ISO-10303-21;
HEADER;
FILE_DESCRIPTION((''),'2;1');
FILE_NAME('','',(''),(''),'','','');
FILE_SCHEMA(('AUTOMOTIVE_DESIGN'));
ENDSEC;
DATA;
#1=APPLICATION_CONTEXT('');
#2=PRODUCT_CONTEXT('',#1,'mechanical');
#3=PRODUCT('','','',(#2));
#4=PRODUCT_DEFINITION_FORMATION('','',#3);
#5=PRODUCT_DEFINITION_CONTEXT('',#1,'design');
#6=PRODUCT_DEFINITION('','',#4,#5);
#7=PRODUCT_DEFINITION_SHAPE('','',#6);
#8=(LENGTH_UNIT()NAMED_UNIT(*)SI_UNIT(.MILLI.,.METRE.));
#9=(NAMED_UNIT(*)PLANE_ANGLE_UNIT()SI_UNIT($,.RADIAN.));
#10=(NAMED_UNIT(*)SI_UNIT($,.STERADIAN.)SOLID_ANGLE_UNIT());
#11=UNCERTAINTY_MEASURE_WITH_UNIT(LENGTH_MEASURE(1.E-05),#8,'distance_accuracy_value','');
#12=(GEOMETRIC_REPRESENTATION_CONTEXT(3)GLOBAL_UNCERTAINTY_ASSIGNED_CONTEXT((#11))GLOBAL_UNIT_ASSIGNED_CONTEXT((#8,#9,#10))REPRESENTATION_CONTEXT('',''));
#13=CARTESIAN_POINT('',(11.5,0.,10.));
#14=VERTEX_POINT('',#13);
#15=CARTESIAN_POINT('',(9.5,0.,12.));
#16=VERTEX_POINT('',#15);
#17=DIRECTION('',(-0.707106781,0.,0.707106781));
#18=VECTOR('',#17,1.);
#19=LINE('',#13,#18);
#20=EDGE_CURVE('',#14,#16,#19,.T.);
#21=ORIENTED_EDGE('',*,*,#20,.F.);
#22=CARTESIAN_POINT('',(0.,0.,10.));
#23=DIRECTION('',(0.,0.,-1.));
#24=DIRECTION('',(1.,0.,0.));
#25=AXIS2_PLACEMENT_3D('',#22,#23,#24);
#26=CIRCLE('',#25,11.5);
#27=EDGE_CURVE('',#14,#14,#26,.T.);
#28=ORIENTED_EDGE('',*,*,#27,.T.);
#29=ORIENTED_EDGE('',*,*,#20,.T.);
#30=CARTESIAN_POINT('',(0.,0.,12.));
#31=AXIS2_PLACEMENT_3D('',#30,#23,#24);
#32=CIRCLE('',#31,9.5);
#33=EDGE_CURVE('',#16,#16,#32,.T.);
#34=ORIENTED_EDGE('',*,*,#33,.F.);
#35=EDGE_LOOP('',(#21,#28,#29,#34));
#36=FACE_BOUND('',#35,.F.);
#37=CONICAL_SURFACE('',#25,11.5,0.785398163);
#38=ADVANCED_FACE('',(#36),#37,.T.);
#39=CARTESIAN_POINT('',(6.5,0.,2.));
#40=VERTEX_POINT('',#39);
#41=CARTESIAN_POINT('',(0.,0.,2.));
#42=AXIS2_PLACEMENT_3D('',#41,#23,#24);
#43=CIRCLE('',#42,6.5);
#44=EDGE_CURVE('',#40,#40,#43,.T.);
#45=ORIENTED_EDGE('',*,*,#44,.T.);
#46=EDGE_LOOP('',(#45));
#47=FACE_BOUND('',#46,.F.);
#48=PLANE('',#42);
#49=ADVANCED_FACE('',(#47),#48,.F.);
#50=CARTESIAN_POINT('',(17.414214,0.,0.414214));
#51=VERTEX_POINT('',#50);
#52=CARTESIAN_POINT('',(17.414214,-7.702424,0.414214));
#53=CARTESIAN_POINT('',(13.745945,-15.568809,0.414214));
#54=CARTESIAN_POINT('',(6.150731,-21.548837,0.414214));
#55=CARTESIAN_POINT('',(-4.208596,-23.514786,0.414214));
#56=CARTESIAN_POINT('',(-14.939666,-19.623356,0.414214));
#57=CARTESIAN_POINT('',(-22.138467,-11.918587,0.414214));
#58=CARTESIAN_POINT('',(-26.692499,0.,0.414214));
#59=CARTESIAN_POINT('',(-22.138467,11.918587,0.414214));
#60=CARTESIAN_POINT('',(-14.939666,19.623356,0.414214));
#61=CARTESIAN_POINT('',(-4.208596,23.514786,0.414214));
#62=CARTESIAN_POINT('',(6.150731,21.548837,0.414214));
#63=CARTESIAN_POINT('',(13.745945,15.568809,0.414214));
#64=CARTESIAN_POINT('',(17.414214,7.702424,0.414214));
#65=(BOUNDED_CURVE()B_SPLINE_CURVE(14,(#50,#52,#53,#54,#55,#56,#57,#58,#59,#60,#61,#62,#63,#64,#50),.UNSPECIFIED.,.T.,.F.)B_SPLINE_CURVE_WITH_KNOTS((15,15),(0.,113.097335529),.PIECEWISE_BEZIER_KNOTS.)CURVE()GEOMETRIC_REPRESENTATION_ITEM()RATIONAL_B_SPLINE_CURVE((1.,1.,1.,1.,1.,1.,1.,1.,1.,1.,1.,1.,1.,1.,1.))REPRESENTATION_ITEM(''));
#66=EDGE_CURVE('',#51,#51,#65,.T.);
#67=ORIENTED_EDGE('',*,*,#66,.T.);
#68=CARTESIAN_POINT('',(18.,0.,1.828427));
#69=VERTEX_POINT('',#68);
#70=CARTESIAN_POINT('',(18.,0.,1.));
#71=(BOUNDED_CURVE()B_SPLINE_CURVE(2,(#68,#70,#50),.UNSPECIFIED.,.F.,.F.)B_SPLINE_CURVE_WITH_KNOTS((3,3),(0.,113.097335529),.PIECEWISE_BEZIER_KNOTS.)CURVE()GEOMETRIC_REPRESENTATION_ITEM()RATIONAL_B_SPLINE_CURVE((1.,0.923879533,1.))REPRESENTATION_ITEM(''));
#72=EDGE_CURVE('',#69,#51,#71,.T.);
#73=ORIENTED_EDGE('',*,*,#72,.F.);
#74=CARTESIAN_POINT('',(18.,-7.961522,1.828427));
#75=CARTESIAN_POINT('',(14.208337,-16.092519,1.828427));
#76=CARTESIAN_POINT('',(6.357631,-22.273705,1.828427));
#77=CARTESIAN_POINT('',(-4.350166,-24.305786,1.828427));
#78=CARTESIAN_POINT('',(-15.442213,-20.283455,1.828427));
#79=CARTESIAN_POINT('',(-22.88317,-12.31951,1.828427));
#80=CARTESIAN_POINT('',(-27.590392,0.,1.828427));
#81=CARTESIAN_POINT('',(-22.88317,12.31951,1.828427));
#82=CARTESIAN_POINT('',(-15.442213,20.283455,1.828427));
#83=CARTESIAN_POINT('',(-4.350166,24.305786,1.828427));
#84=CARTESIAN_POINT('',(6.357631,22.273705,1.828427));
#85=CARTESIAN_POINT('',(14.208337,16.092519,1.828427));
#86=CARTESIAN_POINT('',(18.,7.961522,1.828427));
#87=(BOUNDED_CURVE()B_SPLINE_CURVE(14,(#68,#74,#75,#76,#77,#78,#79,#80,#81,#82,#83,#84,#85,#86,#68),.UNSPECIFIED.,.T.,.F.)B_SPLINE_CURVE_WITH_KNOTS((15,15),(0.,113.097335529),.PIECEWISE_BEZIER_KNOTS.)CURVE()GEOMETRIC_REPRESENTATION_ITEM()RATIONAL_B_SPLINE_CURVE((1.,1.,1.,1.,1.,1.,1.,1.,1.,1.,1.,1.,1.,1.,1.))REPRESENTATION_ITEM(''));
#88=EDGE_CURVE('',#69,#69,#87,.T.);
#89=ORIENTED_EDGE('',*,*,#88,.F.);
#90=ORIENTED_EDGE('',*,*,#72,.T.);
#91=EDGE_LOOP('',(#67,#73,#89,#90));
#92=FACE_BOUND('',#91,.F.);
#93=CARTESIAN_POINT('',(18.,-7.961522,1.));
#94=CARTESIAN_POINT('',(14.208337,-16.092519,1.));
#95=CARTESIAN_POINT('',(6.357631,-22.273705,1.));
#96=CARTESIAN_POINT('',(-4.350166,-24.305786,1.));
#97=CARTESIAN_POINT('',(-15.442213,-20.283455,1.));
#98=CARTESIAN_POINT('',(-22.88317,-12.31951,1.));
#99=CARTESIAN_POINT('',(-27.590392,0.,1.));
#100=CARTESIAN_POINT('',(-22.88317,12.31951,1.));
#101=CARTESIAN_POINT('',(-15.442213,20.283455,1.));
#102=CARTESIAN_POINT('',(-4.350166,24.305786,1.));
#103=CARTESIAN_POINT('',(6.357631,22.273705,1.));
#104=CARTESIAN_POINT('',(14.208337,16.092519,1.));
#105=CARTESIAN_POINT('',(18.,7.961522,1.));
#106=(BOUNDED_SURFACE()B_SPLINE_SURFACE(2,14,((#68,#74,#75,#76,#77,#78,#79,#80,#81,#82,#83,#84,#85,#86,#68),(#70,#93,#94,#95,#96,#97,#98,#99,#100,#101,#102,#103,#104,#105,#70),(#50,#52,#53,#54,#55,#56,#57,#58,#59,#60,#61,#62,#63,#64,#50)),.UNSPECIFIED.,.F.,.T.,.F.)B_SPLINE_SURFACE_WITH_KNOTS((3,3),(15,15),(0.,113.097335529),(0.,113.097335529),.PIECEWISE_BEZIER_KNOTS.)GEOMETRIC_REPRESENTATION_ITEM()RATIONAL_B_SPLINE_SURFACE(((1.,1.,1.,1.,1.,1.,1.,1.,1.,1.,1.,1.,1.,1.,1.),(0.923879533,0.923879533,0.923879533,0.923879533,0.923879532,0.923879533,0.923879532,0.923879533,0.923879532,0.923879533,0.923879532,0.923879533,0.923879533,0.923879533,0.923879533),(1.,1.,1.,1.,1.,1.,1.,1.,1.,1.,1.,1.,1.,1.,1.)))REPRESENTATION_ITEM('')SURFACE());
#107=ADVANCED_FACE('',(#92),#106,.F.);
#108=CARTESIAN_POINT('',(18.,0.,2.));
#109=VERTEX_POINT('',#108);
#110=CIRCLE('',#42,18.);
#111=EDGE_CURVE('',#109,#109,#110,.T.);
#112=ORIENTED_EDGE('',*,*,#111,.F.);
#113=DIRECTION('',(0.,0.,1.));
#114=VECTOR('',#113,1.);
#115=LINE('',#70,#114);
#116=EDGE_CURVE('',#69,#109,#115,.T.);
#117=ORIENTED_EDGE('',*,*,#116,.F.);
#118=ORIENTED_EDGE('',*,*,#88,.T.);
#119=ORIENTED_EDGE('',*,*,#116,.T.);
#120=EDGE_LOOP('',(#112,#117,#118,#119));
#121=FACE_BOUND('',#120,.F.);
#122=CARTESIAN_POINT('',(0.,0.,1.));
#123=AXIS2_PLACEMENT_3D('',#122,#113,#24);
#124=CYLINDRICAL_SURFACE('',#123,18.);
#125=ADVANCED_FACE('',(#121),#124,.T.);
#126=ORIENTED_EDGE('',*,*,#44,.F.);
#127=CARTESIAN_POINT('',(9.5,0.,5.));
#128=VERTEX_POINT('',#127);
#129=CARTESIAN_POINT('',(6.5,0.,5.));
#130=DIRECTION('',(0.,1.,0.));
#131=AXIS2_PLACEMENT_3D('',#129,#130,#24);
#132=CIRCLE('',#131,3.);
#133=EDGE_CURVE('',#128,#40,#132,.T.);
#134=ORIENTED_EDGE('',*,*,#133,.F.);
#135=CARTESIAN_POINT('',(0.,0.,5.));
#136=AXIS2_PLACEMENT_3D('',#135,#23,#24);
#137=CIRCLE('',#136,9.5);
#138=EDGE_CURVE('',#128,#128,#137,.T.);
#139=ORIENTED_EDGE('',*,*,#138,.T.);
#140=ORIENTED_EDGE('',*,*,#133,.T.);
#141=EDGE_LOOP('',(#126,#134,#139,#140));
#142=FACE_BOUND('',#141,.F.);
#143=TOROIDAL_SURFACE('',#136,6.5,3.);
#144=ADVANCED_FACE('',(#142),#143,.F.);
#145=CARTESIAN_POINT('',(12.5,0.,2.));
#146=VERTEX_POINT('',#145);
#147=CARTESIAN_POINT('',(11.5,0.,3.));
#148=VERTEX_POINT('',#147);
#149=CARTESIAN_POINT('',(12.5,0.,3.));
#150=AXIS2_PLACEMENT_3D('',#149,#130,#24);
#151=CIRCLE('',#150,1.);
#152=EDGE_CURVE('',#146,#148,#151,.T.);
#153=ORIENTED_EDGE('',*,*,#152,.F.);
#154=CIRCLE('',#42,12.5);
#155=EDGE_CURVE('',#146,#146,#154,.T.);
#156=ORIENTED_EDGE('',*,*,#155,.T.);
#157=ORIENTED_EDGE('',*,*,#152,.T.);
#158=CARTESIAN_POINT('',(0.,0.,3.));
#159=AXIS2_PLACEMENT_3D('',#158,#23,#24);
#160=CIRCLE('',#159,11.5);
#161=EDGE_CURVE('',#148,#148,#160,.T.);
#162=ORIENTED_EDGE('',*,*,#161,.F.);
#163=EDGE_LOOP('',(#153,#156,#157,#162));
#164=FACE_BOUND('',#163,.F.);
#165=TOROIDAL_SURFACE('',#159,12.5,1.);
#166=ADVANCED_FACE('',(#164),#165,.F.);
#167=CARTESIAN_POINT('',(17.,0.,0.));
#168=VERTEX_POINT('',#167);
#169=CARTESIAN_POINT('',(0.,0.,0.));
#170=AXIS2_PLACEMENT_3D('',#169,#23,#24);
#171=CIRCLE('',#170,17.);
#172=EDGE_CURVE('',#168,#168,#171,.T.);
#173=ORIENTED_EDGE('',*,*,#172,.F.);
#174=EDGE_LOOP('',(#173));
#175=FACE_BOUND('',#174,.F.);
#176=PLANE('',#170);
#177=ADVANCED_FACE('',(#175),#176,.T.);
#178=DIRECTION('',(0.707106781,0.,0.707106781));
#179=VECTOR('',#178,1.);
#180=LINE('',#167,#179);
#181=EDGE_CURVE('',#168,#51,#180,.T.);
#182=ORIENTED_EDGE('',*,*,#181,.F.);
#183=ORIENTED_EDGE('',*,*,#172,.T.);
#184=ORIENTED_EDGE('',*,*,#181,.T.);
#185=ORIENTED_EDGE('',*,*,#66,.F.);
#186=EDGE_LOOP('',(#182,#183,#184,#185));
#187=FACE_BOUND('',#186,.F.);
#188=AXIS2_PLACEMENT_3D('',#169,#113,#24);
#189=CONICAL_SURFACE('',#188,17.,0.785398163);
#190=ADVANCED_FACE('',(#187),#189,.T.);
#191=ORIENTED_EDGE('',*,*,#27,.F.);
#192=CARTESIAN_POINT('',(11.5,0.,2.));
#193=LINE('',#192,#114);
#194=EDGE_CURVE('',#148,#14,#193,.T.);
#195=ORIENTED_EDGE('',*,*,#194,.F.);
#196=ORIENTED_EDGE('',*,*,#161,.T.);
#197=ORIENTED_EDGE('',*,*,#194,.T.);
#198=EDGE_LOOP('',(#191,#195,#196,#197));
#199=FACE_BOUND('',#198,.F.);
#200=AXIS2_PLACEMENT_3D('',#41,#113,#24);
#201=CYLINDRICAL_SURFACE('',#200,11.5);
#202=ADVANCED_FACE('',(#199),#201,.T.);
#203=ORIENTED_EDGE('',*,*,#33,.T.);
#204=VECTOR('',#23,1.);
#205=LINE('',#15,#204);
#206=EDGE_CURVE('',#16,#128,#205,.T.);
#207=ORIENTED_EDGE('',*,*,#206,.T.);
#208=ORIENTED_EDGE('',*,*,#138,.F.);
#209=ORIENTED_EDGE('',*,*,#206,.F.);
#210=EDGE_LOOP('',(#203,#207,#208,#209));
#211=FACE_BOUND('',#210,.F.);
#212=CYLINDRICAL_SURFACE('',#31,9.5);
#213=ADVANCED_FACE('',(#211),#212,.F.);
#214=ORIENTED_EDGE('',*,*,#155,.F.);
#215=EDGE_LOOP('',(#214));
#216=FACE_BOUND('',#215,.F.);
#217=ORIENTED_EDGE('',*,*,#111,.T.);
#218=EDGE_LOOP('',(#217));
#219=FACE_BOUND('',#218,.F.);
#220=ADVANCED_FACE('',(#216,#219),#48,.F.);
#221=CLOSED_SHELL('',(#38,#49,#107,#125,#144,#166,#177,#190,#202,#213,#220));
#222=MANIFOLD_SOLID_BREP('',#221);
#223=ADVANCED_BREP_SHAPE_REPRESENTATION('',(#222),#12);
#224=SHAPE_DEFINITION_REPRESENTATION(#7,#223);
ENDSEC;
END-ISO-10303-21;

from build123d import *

# Parameters (mm, degrees)
F2_R = 3
F3_R = 2
F4_R = 1


with BuildPart() as f1:
    # F0 (on Front) → F1 (revolve)
    with BuildSketch(Plane.XZ):
        Polygon((0, 2), (0, 0), (17, 0), (18, 1), (18, 2), (11.5, 2), (11.5, 10), (9.5, 12), (9.5, 2), align=None)
    revolve(axis=Axis((0, 0, 1), (0, 0, -1)))

    # F2
    f2_edges = [f1.edges().sort_by_distance(p)[0] for p in [
        (-9.5, 0, 2),
    ]]
    fillet(f2_edges, radius=F2_R)

    # F3
    f3_edges = [f1.edges().sort_by_distance(p)[0] for p in [
        (-18, 0, 1),
    ]]
    fillet(f3_edges, radius=F3_R)

    # F4
    f4_edges = [f1.edges().sort_by_distance(p)[0] for p in [
        (-11.5, 0, 2),
    ]]
    fillet(f4_edges, radius=F4_R)


solid = f1.part
